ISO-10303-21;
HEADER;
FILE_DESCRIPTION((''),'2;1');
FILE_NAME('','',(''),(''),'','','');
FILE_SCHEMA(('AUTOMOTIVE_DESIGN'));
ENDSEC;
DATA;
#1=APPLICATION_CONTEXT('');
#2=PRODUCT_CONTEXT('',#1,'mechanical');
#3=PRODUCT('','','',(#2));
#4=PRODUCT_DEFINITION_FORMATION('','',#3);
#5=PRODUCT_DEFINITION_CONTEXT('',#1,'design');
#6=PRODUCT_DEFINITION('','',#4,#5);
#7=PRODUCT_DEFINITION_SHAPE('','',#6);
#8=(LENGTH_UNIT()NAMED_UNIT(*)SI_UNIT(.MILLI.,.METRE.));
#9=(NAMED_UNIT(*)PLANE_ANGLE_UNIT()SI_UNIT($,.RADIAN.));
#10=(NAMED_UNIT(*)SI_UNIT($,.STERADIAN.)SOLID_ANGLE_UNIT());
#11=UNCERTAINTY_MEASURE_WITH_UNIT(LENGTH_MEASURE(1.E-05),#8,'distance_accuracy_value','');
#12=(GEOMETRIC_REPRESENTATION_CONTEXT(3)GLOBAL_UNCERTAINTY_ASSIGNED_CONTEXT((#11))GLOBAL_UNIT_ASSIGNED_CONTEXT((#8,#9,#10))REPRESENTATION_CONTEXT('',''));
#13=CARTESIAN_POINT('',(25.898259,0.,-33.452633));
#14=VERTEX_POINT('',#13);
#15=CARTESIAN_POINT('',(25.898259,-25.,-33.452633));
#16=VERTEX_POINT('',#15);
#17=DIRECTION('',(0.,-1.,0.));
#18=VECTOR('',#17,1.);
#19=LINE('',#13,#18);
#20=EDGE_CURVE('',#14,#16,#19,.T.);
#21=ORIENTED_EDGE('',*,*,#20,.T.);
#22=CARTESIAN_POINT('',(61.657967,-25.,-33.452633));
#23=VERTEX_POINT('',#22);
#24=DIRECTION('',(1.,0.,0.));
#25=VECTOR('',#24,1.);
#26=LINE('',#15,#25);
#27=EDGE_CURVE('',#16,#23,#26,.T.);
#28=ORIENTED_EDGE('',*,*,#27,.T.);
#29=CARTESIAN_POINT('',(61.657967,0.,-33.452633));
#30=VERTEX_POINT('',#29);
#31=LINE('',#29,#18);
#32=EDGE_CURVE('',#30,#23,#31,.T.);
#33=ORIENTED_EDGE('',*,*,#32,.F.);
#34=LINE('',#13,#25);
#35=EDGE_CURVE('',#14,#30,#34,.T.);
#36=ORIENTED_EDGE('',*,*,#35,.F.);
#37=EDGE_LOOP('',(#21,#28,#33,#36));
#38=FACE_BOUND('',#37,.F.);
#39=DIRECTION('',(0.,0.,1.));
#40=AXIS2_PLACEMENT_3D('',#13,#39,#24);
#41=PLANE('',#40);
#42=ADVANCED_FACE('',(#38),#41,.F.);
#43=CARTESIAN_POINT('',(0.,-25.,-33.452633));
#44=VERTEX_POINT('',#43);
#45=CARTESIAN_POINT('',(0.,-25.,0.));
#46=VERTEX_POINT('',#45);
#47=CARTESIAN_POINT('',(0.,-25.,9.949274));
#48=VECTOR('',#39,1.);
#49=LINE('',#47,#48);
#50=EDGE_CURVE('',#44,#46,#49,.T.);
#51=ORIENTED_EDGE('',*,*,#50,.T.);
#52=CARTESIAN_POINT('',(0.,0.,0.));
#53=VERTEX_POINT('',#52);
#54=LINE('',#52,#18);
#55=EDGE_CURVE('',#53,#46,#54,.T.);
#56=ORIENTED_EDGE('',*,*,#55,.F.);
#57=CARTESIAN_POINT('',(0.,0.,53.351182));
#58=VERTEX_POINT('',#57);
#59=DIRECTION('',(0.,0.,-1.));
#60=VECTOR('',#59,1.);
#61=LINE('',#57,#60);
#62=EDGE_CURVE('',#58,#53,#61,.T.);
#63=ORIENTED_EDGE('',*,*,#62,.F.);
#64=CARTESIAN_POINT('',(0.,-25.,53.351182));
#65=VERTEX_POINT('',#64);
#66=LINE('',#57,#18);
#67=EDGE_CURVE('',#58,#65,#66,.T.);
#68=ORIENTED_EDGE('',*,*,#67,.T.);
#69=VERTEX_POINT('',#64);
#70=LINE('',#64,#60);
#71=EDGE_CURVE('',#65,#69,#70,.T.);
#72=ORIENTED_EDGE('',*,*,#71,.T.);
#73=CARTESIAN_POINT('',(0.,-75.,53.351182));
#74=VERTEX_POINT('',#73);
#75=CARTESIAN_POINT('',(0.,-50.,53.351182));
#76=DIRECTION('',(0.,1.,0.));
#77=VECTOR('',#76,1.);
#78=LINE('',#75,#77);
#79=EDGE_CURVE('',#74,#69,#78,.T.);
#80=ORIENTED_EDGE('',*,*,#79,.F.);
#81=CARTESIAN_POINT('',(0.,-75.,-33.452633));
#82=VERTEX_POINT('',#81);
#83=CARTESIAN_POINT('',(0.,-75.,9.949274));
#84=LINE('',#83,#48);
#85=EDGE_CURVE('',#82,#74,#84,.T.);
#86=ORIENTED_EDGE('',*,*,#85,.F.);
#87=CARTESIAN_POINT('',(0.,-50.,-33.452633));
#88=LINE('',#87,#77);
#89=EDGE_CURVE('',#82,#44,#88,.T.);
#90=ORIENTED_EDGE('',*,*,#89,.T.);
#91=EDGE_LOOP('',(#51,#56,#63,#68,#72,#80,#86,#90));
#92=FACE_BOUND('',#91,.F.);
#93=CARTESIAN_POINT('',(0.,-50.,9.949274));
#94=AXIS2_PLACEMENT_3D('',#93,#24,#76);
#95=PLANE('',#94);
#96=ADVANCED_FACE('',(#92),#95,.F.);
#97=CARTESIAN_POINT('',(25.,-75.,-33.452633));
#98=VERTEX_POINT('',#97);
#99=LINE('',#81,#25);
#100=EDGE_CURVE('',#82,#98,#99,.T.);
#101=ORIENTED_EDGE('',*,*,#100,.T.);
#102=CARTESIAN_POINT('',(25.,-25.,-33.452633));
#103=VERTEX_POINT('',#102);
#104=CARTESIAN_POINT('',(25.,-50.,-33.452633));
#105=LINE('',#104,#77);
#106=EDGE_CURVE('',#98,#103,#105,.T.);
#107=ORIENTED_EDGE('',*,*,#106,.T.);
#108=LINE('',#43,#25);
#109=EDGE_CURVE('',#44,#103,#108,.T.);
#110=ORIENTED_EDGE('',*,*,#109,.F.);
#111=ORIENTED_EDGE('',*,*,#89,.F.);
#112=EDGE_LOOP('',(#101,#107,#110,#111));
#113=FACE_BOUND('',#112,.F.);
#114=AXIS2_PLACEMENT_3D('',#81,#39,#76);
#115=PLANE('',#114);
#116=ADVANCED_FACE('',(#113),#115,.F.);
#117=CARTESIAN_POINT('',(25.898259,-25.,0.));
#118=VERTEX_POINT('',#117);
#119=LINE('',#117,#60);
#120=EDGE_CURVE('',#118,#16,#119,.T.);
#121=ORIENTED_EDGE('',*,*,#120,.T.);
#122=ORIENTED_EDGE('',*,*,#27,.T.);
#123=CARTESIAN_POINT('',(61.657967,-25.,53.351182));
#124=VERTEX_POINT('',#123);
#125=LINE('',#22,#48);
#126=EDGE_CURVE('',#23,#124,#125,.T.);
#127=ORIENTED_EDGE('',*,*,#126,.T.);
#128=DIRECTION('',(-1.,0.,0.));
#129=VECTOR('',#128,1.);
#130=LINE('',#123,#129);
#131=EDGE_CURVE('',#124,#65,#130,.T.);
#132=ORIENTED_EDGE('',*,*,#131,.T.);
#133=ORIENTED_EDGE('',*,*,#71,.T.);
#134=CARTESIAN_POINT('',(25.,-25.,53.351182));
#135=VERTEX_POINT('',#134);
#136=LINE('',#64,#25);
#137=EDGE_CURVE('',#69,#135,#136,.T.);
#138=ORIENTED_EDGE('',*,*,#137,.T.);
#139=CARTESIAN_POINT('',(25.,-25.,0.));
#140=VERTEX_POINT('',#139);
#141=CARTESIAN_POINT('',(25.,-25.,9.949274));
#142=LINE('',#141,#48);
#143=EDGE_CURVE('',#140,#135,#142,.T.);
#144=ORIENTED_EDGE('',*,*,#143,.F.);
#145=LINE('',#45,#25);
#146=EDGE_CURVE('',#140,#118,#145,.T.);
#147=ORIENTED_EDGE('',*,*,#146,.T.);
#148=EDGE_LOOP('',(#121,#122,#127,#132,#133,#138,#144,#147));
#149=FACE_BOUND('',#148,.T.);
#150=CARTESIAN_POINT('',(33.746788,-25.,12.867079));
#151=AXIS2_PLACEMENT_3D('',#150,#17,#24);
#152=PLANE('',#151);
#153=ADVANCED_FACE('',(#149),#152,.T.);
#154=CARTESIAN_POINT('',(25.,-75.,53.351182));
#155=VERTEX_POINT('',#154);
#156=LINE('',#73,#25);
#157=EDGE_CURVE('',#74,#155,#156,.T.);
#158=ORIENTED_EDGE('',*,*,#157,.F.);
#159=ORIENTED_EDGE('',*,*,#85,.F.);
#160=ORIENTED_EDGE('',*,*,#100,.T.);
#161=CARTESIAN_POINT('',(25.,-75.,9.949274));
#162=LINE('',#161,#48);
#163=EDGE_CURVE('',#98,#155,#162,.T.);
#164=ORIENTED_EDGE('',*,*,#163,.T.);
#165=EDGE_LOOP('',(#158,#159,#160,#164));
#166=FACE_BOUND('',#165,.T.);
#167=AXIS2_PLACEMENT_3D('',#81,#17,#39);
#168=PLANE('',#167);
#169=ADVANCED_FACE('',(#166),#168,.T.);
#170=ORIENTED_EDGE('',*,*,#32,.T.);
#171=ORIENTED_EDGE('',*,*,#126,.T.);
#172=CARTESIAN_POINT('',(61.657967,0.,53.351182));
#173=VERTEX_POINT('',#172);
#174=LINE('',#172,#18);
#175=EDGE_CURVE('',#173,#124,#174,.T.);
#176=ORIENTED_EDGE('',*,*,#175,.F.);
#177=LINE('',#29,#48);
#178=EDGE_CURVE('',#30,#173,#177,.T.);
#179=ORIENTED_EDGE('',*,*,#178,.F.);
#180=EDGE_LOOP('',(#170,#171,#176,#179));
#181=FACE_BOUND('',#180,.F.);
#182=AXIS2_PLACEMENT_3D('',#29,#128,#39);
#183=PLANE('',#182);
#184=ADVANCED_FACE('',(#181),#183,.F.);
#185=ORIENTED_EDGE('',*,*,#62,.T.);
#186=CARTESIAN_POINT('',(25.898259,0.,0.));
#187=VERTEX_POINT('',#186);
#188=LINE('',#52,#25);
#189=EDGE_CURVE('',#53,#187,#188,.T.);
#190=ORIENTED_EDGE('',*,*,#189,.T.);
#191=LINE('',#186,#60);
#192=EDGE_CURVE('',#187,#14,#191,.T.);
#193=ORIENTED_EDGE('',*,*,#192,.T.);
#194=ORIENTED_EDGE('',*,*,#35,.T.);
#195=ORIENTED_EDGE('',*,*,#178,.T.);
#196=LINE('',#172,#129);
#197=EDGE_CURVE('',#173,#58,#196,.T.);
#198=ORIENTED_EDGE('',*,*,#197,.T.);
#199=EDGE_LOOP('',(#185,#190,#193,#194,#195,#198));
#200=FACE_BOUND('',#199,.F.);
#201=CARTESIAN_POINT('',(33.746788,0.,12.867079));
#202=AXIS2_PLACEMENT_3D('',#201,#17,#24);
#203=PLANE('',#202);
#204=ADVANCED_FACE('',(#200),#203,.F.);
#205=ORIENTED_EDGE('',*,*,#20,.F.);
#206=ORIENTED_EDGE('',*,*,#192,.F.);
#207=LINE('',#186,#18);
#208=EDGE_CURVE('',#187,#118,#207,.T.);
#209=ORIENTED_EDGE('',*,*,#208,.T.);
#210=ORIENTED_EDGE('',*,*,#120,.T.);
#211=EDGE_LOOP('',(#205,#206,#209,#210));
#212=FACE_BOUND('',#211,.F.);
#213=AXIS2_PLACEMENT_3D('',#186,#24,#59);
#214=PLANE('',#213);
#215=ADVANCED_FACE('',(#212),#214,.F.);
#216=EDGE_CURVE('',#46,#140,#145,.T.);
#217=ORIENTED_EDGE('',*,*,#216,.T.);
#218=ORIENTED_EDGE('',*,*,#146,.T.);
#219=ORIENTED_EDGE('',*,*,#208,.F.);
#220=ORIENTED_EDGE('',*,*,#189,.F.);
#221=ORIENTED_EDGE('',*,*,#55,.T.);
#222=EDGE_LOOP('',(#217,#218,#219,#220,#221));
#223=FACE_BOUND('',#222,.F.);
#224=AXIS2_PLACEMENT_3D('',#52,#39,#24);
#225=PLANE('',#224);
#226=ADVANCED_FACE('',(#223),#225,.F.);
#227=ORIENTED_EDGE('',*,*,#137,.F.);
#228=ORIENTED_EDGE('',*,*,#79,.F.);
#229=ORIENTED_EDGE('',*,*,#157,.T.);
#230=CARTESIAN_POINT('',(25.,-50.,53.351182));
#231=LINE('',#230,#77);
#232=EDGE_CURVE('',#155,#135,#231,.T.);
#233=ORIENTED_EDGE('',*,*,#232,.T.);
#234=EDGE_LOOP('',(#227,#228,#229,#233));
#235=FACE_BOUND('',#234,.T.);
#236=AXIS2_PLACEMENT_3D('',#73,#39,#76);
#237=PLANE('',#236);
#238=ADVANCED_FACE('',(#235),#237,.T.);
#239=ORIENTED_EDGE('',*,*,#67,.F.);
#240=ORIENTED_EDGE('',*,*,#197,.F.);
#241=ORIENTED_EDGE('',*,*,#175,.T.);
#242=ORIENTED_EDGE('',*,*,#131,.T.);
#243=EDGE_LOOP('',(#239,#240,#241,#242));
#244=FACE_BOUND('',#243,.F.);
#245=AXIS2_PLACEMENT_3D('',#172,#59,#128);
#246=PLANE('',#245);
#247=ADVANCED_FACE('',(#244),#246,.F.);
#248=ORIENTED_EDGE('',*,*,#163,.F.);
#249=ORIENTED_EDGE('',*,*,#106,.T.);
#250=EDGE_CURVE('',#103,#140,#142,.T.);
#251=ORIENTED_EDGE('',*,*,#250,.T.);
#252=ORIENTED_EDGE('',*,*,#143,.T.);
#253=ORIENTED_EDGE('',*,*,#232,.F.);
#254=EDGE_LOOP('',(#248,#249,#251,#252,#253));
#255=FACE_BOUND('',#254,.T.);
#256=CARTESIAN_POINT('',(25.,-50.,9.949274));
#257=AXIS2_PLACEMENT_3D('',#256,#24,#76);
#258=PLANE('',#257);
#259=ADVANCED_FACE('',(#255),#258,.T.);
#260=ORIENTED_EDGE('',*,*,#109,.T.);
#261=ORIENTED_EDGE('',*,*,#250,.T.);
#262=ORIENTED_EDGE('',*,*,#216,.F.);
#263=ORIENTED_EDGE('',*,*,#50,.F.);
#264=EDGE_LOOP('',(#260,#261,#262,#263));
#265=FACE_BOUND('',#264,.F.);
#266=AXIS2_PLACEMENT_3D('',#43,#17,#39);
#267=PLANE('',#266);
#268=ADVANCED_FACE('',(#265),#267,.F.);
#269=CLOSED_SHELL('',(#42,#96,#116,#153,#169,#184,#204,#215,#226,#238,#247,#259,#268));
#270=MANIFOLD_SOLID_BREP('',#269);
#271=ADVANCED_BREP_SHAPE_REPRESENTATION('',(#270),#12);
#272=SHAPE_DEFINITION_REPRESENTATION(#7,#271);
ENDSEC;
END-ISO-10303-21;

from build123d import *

# Parameters (mm, degrees)
F1_DEPTH = 25
F2_W     = 50
F2_H     = 86.803815
F3_DEPTH = 25


with BuildPart() as f1:
    # F0 (on Front) → F1 (new body)
    with BuildSketch(Plane.XZ):
        Polygon((61.657967, 53.351182), (0, 53.351182), (0, 0), (25.898259, 0), (25.898259, -33.452633), (61.657967, -33.452633), align=None)
    extrude(amount=F1_DEPTH)

    # F2 (on Right) → F3 (join)
    with BuildSketch(Plane.YZ):
        with Locations((-50, 9.949274)):
            Rectangle(F2_W, F2_H)
    extrude(amount=F3_DEPTH)


solid = f1.part
